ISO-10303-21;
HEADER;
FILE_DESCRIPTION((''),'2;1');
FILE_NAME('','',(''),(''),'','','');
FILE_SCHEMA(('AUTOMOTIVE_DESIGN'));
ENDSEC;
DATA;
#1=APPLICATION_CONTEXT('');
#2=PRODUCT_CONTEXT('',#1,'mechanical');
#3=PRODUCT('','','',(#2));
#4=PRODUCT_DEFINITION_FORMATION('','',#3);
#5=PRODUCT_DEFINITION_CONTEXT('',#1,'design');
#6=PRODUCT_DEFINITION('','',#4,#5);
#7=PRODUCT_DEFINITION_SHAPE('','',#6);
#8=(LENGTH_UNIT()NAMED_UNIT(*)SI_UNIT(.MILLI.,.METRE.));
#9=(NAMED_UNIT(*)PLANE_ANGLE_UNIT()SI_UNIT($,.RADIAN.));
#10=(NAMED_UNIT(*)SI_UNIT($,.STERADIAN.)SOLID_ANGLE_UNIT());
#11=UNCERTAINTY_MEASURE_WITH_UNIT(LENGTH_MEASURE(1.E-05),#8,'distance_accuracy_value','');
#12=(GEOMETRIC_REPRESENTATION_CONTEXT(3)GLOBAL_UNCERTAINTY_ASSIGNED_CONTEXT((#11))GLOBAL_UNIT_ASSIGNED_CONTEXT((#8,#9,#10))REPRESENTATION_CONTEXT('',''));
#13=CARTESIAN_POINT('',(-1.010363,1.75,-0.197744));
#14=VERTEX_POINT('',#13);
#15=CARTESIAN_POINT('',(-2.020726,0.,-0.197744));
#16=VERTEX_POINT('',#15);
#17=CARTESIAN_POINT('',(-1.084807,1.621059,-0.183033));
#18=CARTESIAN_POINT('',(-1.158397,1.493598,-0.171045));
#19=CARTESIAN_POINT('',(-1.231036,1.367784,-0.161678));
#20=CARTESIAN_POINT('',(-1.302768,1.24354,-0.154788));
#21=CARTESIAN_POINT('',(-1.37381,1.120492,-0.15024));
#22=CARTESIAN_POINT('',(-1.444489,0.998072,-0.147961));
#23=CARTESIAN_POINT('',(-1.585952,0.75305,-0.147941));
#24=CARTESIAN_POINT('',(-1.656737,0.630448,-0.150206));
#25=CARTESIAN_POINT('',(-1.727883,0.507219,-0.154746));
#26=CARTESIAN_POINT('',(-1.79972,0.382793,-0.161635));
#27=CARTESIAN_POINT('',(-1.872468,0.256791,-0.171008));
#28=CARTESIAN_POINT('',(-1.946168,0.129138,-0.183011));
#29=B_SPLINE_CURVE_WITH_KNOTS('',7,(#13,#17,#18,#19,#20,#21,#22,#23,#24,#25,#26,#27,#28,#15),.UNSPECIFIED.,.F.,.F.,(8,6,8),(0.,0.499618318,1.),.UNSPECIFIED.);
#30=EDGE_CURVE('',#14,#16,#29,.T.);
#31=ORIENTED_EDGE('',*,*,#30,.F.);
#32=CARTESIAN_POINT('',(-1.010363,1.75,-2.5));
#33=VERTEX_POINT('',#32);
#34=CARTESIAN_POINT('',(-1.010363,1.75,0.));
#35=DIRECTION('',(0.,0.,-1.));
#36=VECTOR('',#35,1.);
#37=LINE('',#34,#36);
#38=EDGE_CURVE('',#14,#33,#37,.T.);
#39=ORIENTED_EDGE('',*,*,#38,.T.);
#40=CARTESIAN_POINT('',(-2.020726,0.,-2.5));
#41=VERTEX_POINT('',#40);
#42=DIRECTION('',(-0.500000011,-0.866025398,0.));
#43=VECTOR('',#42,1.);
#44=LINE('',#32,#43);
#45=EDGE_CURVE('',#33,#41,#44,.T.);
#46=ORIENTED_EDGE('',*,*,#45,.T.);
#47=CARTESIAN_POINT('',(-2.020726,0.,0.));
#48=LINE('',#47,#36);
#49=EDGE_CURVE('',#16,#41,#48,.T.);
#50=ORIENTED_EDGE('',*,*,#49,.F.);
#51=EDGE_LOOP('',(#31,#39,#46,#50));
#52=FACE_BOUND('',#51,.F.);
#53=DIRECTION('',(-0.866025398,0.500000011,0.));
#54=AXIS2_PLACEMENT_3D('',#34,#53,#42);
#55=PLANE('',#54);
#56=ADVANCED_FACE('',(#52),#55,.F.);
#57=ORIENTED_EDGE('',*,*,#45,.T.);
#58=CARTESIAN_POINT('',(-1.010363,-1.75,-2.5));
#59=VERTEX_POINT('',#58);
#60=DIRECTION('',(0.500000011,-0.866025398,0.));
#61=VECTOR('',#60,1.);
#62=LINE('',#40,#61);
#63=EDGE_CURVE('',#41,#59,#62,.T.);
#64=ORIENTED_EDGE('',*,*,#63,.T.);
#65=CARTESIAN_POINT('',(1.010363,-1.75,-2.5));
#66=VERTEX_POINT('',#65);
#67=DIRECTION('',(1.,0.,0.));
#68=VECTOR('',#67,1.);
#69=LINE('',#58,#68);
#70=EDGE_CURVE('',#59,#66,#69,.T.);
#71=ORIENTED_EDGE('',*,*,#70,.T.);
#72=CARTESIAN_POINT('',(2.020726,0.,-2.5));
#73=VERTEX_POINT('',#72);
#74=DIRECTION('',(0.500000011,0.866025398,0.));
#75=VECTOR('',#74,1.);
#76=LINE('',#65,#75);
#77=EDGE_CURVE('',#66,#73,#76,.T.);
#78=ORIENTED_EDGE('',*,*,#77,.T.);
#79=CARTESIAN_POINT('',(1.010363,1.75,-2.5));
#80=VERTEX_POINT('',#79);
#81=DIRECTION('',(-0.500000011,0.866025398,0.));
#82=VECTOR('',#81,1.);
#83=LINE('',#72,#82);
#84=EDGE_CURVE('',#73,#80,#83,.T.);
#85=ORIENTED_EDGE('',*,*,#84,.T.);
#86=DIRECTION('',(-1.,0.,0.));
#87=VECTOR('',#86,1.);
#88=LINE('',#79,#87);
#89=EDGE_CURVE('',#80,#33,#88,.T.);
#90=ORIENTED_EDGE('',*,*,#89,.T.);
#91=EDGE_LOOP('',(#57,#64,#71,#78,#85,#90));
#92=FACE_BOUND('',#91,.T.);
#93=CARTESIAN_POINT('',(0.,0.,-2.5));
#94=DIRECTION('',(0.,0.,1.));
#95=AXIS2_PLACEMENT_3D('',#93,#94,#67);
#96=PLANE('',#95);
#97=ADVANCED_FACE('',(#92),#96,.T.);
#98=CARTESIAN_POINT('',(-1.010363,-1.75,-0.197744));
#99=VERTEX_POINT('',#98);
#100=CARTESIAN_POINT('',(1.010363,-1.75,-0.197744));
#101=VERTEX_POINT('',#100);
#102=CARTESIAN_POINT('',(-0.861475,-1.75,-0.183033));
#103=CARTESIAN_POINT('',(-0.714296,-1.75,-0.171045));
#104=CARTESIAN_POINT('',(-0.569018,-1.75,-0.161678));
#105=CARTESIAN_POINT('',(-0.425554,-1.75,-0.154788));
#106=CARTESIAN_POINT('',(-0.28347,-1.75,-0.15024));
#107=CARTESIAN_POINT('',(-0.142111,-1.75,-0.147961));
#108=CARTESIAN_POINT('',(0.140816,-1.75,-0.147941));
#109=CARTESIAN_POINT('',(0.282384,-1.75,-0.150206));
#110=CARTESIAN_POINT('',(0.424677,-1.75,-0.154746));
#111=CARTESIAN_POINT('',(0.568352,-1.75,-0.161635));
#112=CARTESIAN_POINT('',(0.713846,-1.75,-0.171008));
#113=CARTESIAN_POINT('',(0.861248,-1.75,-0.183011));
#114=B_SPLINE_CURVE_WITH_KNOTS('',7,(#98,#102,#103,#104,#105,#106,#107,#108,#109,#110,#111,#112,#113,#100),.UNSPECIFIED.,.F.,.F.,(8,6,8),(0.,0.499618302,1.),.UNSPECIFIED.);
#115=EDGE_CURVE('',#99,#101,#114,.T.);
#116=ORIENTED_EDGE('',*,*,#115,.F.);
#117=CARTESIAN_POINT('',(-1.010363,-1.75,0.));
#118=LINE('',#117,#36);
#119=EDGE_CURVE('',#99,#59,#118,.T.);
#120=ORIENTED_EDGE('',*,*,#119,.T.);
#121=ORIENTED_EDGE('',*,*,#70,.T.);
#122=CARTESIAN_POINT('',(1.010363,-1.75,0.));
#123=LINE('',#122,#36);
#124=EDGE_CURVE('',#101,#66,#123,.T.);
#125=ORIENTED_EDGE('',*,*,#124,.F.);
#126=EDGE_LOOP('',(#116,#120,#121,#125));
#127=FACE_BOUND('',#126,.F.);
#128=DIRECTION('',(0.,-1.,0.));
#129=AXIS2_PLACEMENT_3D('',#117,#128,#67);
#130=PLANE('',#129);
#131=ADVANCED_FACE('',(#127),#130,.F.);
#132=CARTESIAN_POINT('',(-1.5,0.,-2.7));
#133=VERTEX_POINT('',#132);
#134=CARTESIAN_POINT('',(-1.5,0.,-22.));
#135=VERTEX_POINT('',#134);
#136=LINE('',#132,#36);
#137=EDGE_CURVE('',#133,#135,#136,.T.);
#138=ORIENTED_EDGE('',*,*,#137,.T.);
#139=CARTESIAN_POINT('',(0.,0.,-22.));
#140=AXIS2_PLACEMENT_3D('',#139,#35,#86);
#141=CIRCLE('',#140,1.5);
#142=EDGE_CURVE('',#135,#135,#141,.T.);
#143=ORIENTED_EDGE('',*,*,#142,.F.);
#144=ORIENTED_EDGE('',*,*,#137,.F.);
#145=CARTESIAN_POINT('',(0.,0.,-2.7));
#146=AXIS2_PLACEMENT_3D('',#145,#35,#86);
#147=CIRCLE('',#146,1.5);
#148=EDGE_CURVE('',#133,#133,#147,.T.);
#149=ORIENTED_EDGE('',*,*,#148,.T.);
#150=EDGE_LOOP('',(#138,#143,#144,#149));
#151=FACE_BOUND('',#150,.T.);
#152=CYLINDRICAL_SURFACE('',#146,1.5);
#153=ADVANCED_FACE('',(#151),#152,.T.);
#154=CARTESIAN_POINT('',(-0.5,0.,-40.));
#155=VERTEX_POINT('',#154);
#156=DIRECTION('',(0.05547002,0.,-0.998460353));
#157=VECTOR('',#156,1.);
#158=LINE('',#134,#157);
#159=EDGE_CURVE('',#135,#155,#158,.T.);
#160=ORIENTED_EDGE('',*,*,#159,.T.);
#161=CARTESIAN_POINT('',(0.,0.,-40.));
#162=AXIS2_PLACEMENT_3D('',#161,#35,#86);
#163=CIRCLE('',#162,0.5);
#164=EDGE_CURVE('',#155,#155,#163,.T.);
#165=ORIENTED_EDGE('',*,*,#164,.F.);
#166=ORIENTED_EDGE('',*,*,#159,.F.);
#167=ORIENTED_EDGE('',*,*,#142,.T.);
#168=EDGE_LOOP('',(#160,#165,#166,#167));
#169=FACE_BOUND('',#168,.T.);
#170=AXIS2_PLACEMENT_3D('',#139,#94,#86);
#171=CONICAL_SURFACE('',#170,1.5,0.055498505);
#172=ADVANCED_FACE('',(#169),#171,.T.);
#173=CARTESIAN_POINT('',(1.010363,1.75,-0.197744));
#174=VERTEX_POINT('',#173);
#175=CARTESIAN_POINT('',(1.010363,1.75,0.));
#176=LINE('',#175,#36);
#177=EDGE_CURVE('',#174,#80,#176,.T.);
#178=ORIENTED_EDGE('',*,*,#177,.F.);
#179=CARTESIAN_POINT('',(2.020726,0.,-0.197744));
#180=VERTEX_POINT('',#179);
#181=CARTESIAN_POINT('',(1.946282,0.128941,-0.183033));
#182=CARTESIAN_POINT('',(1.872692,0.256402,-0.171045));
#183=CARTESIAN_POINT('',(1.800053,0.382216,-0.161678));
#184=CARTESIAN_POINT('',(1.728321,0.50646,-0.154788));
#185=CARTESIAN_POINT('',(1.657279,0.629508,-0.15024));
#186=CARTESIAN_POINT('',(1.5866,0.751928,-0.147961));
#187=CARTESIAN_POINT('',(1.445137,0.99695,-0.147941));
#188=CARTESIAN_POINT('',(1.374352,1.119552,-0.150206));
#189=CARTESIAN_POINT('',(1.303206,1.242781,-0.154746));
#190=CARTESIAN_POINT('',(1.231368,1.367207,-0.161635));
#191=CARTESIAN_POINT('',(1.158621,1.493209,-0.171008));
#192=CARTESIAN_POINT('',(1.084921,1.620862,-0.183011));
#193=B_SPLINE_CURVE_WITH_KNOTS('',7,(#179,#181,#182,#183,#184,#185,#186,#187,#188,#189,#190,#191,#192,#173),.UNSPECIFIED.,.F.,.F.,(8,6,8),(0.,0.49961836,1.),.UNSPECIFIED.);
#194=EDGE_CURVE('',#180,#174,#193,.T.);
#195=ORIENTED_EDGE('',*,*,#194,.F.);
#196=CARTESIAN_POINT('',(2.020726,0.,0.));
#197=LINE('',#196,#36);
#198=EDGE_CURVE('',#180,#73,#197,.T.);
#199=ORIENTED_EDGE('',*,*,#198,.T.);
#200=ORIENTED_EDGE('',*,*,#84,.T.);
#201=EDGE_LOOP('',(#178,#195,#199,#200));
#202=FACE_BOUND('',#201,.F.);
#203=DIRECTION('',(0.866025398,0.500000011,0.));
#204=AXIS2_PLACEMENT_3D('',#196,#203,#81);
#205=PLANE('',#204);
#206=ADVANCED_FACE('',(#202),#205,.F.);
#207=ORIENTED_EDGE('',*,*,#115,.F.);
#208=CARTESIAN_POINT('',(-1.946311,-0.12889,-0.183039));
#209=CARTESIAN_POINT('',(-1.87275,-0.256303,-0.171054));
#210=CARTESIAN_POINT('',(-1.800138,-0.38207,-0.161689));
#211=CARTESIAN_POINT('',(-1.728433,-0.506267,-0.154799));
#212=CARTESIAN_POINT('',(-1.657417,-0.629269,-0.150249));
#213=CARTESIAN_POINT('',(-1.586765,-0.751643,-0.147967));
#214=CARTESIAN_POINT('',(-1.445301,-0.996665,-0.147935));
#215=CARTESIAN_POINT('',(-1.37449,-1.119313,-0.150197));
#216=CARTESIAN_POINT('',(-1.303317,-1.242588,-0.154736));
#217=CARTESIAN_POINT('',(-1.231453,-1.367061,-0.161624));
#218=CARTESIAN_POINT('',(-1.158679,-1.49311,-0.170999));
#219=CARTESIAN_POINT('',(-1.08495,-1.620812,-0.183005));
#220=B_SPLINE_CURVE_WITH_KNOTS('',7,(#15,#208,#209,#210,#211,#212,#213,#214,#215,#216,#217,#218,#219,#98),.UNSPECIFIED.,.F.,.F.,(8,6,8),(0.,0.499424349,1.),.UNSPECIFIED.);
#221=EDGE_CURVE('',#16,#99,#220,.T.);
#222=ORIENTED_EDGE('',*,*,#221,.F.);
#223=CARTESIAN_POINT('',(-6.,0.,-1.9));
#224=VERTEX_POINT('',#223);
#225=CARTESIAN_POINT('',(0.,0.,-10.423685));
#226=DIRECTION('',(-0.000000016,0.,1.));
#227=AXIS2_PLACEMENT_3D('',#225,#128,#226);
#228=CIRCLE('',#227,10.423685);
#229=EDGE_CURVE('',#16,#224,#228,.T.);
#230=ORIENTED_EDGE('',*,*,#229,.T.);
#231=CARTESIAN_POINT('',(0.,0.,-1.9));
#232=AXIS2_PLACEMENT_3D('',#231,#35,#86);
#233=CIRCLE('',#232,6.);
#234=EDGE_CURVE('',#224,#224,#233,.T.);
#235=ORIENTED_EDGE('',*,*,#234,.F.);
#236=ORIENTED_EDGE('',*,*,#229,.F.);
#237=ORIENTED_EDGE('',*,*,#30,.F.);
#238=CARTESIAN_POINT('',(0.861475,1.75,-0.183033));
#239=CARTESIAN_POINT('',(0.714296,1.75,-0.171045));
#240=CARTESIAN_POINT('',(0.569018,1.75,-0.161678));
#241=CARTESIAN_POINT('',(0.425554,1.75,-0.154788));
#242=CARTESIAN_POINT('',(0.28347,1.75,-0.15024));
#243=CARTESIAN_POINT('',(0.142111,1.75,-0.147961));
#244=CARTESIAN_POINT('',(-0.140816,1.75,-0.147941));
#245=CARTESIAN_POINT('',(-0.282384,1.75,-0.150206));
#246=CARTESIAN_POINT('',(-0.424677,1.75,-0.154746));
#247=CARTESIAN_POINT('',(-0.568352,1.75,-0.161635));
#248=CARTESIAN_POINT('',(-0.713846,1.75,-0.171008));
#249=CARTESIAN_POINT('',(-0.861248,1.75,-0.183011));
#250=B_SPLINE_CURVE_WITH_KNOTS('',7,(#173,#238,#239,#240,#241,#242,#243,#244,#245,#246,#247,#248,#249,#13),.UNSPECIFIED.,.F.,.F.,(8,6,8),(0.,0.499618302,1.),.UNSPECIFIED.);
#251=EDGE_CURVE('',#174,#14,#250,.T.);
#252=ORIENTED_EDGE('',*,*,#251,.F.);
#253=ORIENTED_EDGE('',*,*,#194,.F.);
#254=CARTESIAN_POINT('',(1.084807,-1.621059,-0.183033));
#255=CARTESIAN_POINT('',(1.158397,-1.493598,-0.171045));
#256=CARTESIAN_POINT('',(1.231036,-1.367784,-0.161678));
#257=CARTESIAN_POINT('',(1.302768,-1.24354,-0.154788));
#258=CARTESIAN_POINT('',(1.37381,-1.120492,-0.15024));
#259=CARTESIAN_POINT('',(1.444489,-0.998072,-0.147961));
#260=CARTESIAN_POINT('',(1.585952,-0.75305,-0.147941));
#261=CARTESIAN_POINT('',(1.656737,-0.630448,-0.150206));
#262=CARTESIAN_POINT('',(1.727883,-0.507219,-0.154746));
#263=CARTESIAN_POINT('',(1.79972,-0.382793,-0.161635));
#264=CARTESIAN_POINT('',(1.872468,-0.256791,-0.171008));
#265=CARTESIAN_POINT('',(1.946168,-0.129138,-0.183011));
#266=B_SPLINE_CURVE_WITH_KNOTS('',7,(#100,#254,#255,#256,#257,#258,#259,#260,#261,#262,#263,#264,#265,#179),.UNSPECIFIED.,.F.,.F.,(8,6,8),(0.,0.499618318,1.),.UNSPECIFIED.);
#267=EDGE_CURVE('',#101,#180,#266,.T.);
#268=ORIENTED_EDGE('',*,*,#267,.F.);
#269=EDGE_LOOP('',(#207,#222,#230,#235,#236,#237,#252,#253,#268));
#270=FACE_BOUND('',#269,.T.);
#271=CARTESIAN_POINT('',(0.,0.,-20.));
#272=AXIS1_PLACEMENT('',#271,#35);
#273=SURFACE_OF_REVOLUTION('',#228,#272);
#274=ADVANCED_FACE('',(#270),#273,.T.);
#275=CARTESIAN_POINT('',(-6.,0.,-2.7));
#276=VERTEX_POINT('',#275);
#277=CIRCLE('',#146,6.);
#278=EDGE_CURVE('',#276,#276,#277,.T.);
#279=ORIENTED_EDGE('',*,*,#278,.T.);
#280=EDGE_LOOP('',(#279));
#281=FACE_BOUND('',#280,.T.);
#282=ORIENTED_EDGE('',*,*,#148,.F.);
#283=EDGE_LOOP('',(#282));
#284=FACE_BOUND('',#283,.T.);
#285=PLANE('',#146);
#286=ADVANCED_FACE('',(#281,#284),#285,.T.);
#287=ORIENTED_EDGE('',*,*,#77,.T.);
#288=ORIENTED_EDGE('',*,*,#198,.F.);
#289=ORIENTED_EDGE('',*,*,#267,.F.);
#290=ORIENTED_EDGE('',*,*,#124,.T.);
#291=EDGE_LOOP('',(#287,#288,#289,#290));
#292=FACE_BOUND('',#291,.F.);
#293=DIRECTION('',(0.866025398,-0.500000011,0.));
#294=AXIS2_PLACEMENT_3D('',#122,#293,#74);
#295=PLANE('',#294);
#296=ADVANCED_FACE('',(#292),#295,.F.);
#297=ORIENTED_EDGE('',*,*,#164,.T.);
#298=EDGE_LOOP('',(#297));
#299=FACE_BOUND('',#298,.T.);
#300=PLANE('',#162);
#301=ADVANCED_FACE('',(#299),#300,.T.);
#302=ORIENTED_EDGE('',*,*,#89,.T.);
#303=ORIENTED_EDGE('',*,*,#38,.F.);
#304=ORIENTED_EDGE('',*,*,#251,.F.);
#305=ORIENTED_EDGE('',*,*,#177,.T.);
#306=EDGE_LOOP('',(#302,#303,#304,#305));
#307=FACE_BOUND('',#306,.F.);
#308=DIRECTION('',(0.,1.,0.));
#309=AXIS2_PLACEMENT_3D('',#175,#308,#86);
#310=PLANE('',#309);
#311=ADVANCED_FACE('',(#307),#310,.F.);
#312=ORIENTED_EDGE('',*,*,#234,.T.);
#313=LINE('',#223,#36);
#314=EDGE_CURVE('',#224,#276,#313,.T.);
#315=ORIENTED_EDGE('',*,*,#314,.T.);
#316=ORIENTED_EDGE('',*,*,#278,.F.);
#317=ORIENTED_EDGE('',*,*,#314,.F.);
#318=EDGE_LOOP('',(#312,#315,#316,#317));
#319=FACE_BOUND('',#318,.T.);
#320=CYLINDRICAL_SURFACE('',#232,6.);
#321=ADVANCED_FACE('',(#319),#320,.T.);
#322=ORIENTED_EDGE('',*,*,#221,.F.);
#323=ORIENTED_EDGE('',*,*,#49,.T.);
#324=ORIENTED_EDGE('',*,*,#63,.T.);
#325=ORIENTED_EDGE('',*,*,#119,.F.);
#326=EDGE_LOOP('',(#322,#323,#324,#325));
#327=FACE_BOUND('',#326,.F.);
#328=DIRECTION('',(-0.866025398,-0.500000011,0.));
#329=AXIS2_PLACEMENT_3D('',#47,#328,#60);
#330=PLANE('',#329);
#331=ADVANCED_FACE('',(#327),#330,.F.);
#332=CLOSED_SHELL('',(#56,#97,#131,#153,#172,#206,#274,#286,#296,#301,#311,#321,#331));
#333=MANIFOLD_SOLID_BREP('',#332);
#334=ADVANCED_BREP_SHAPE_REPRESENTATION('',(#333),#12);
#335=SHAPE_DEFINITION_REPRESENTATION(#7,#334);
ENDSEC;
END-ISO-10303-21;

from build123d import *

# Parameters (mm, degrees)
F2_SIZE2 = 1
F2_SIZE  = 18
F4_DEPTH = 2.5


with BuildPart() as f1:
    # F0 (on Front) → F1 (revolve)
    with BuildSketch(Plane.XZ):
        with BuildLine():
            Line((0, -40), (0, 0))
            ThreePointArc((0, 0), (-3.146824, -0.486346), (-6, -1.9))
            Line((-6, -1.9), (-6, -2.7))
            Line((-6, -2.7), (-1.5, -2.7))
            Line((-1.5, -2.7), (-1.5, -40))
            Line((-1.5, -40), (0, -40))
        make_face()
    revolve(axis=Axis((0, 0, -20), (0, 0, -1)))

    # F2
    f2_edges = [f1.edges().sort_by_distance(p)[0] for p in [
        (1.5, 0, -40),
    ]]
    chamfer(f2_edges, length=F2_SIZE, length2=F2_SIZE2)

    # F3 (on Top) → F4 (cut)
    with BuildSketch(Plane.XY):
        Polygon((1.010363, -1.75), (2.020726, 0), (1.010363, 1.75), (-1.010363, 1.75), (-2.020726, 0), (-1.010363, -1.75), align=None)
    extrude(amount=-F4_DEPTH, mode=Mode.SUBTRACT)


solid = f1.part
